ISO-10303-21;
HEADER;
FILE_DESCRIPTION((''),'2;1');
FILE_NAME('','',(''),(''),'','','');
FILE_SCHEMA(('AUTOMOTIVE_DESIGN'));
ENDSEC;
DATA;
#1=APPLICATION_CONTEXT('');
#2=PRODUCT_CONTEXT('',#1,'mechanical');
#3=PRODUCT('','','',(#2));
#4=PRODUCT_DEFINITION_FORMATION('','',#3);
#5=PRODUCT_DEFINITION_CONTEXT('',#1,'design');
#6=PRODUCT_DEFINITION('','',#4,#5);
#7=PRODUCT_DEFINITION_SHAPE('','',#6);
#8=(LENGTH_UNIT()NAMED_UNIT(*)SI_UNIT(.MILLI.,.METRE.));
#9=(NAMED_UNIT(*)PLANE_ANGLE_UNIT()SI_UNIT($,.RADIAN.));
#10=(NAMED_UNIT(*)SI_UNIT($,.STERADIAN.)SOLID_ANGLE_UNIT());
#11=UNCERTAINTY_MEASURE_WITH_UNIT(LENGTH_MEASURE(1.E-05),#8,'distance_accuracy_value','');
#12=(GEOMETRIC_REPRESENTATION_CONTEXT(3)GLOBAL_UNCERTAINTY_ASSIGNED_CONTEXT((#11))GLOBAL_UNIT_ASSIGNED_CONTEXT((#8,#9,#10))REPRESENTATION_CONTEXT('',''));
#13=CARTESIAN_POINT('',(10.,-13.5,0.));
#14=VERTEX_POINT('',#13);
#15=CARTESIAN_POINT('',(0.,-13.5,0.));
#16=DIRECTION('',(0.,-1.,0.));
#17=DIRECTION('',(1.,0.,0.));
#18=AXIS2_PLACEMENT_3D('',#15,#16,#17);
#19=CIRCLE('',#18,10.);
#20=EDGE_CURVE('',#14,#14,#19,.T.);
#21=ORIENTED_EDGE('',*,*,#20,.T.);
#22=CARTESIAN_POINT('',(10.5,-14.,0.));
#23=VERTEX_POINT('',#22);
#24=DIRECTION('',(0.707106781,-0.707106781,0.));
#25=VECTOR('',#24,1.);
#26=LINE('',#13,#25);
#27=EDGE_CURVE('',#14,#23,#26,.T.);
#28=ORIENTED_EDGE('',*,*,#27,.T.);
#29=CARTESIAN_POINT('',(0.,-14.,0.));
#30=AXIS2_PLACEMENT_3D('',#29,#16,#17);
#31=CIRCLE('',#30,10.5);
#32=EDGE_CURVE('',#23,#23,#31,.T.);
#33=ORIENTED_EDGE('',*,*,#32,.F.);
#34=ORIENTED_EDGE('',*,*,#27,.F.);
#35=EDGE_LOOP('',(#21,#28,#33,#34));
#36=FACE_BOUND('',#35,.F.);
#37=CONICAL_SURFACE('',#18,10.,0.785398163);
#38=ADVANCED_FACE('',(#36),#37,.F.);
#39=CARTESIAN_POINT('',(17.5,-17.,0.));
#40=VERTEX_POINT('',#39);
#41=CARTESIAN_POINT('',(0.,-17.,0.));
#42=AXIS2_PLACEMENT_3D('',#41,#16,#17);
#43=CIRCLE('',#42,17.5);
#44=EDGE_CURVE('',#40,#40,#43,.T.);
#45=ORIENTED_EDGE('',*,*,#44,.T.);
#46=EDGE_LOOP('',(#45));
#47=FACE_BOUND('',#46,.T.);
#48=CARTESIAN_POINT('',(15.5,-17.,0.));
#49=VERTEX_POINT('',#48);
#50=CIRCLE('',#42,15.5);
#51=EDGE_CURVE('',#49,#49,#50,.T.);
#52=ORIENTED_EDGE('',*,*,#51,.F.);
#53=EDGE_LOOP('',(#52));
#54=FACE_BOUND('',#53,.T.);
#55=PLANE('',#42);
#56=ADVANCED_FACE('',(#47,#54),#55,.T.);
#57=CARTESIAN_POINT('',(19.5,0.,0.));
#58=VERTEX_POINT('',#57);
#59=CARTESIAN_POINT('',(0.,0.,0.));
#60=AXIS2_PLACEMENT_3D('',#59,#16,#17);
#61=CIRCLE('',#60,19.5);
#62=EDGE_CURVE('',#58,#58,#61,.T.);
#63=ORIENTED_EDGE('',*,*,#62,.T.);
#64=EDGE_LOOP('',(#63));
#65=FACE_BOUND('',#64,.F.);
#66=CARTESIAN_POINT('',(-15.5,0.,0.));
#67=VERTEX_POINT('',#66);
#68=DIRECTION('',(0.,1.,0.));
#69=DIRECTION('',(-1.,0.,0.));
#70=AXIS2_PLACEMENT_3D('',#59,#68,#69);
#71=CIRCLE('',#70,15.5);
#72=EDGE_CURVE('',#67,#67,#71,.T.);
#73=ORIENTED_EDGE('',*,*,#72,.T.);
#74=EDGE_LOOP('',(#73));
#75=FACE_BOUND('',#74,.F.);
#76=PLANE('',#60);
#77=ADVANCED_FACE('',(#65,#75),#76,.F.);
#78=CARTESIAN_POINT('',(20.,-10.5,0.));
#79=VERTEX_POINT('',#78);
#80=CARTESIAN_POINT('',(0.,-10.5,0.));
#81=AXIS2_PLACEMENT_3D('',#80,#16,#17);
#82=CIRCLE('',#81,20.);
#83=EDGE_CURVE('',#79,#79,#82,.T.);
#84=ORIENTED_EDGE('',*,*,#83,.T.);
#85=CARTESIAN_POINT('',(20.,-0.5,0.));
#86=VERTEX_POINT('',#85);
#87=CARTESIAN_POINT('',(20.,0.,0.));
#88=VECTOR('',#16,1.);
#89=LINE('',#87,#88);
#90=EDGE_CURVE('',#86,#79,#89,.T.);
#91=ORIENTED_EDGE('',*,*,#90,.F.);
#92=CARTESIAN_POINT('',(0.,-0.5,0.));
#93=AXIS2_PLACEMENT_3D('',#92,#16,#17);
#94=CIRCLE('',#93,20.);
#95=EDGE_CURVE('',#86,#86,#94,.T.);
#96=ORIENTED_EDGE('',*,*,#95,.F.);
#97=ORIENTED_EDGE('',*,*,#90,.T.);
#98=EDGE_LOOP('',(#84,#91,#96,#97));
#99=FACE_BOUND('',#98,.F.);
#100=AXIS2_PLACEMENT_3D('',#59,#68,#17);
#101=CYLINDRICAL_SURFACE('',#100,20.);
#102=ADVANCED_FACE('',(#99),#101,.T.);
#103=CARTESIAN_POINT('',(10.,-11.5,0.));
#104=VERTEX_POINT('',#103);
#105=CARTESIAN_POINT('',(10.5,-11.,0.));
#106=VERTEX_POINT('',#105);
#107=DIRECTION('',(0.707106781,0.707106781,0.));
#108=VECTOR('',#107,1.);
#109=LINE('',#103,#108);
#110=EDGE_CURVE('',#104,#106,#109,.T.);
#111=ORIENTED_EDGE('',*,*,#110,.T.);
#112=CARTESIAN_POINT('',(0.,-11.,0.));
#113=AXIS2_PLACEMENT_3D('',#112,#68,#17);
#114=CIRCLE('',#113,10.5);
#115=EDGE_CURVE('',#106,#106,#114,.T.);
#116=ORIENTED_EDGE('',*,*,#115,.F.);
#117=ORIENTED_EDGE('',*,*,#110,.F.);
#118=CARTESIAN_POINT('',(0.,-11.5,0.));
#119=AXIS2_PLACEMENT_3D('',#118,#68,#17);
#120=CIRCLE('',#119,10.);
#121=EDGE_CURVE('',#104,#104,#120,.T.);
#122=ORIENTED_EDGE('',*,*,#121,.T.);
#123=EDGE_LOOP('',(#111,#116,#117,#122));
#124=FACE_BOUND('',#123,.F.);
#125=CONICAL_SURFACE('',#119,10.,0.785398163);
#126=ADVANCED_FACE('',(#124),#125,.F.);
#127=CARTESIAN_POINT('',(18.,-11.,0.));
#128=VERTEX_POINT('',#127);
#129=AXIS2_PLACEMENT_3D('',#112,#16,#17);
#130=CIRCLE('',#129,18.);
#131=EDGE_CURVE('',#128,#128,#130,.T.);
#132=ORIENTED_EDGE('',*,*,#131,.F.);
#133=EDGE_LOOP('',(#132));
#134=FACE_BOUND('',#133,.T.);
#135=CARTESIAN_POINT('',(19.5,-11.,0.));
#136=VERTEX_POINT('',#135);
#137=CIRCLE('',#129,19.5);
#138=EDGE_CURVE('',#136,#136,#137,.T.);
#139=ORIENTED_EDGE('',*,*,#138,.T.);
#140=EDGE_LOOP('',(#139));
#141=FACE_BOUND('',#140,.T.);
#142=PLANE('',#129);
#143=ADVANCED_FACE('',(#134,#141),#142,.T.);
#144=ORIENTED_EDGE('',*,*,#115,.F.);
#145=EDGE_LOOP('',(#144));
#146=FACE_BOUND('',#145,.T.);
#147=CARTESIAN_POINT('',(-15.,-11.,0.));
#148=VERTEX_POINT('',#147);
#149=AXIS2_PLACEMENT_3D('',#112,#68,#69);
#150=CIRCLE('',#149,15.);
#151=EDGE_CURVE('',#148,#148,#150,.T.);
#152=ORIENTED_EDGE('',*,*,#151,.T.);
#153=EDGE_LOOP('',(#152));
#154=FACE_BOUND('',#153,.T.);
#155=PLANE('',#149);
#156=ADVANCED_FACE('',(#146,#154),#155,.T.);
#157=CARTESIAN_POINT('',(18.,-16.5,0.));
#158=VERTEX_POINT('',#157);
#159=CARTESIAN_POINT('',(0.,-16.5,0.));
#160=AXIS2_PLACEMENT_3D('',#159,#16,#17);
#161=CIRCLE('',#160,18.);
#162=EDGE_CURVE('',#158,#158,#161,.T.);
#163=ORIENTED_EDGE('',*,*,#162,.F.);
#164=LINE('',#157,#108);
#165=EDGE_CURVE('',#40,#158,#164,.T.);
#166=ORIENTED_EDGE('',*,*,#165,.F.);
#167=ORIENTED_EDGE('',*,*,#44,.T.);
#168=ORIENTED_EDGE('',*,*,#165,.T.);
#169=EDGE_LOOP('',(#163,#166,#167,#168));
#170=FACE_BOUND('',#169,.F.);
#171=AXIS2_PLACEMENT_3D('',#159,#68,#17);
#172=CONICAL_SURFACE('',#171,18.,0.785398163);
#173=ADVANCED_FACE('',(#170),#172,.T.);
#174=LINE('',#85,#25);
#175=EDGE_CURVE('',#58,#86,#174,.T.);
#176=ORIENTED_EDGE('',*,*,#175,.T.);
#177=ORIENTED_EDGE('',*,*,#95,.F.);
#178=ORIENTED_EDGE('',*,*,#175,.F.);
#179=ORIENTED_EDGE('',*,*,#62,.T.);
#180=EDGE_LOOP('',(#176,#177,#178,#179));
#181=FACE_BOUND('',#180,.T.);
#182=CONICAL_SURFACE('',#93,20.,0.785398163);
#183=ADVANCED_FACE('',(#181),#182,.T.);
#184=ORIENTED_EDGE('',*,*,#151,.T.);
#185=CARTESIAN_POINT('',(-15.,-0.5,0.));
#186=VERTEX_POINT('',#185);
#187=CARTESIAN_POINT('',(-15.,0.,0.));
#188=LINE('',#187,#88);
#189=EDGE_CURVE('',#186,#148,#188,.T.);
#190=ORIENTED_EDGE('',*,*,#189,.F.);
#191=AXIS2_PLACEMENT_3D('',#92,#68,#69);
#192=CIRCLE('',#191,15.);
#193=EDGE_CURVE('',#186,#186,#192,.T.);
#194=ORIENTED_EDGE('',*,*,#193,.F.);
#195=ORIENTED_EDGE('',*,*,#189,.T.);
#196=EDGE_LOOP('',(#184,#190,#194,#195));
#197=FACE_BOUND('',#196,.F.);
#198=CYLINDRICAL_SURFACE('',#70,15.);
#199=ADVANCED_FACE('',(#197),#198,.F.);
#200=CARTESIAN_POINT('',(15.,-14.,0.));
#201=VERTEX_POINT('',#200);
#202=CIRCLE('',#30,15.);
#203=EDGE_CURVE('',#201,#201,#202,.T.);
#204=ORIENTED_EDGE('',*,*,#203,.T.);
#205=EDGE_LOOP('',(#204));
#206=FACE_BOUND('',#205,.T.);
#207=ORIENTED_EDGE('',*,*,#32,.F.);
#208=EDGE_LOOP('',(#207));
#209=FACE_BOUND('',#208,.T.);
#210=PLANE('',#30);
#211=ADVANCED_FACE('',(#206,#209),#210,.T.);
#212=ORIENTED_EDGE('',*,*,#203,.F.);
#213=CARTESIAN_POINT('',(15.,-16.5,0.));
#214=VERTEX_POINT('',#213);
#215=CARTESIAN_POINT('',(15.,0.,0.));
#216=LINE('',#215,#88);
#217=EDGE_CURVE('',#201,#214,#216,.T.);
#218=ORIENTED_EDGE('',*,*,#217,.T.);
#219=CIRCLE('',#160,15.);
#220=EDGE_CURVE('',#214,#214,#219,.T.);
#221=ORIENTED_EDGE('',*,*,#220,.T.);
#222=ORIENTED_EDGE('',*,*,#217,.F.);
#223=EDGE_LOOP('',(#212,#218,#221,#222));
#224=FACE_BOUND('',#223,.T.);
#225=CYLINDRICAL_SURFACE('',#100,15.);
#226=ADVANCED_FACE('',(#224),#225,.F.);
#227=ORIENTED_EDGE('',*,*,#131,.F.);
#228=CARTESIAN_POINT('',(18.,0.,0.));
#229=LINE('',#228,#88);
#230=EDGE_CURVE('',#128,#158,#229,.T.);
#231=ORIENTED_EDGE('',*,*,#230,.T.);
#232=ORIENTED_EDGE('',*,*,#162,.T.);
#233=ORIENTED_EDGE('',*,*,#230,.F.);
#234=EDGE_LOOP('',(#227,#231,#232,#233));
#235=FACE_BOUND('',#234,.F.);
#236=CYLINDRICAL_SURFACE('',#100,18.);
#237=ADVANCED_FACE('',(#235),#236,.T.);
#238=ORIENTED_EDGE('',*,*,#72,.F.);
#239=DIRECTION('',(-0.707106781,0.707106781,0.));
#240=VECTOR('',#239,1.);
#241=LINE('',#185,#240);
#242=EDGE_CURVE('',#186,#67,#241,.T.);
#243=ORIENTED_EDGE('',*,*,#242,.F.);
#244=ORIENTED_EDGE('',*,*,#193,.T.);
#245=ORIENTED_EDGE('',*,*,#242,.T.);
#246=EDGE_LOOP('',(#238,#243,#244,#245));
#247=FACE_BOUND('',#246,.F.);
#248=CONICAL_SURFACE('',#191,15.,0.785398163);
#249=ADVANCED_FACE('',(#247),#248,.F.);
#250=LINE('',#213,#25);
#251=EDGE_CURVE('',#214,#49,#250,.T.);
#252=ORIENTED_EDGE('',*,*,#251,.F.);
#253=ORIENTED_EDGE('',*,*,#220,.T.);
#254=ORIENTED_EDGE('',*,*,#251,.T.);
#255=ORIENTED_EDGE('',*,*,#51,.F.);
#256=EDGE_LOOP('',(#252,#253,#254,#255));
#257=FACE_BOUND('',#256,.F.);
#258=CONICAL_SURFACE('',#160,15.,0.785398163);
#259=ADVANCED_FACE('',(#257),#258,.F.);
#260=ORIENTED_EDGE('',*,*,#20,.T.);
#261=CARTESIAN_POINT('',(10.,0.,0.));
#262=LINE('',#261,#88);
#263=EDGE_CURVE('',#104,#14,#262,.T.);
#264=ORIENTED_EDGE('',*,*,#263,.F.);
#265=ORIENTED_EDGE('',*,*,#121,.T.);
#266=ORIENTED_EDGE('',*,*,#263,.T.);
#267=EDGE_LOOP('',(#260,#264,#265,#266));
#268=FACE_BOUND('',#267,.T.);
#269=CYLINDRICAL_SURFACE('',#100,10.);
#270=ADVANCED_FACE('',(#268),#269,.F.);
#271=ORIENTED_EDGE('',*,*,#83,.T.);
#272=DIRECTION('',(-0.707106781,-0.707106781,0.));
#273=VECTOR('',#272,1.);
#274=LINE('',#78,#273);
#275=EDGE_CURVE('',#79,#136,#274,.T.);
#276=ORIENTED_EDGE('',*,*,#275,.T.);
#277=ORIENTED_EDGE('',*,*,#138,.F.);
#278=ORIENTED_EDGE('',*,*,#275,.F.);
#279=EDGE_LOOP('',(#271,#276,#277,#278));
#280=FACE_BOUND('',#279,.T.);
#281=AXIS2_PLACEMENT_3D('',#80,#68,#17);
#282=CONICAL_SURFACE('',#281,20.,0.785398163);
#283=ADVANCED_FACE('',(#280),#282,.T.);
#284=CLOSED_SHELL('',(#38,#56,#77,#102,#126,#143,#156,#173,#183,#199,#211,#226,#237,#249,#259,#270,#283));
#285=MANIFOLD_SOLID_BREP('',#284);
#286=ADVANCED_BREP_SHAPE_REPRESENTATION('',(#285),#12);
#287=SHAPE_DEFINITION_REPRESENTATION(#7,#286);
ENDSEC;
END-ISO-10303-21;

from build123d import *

# Parameters (mm, degrees)
F0_R     = 20
F0_R_2   = 18
F1_DEPTH = 11
F0_R_3   = 15
F2_DEPTH = 17
F0_R_4   = 10
F3_DEPTH = 14
F4_R     = 15
F5_DEPTH = 11
F6_SIZE2 = 0.5
F6_SIZE  = 0.5


with BuildPart() as f1:
    # F0 (on Front) → F1 (new body)
    with BuildSketch(Plane.XZ):
        Circle(F0_R)
        Circle(F0_R_2, mode=Mode.SUBTRACT)
    extrude(amount=F1_DEPTH)

    # F0 (on Front) → F2 (join)
    with BuildSketch(Plane.XZ):
        Circle(F0_R_2)
        Circle(F0_R_3, mode=Mode.SUBTRACT)
    extrude(amount=F2_DEPTH)

    # F0 (on Front) → F3 (join)
    with BuildSketch(Plane.XZ):
        Circle(F0_R_3)
        Circle(F0_R_4, mode=Mode.SUBTRACT)
    extrude(amount=F3_DEPTH)

    # F4 (on face) → F5 (cut)
    with BuildSketch(Plane(origin=(0, 0, 0), x_dir=(-1, 0, 0), z_dir=(0, 1, 0))):
        Circle(F4_R)
    extrude(amount=-F5_DEPTH, mode=Mode.SUBTRACT)

    # F6
    f6_edges = [f1.edges().sort_by_distance(p)[0] for p in [
        (-15, -17, 0),
        (-18, -17, 0),
        (-10, -14, 0),
        (-20, -11, 0),
        (-20, 0, 0),
        (15, 0, 0),
        (-10, -11, 0),
    ]]
    chamfer(f6_edges, length=F6_SIZE, length2=F6_SIZE2)


solid = f1.part
